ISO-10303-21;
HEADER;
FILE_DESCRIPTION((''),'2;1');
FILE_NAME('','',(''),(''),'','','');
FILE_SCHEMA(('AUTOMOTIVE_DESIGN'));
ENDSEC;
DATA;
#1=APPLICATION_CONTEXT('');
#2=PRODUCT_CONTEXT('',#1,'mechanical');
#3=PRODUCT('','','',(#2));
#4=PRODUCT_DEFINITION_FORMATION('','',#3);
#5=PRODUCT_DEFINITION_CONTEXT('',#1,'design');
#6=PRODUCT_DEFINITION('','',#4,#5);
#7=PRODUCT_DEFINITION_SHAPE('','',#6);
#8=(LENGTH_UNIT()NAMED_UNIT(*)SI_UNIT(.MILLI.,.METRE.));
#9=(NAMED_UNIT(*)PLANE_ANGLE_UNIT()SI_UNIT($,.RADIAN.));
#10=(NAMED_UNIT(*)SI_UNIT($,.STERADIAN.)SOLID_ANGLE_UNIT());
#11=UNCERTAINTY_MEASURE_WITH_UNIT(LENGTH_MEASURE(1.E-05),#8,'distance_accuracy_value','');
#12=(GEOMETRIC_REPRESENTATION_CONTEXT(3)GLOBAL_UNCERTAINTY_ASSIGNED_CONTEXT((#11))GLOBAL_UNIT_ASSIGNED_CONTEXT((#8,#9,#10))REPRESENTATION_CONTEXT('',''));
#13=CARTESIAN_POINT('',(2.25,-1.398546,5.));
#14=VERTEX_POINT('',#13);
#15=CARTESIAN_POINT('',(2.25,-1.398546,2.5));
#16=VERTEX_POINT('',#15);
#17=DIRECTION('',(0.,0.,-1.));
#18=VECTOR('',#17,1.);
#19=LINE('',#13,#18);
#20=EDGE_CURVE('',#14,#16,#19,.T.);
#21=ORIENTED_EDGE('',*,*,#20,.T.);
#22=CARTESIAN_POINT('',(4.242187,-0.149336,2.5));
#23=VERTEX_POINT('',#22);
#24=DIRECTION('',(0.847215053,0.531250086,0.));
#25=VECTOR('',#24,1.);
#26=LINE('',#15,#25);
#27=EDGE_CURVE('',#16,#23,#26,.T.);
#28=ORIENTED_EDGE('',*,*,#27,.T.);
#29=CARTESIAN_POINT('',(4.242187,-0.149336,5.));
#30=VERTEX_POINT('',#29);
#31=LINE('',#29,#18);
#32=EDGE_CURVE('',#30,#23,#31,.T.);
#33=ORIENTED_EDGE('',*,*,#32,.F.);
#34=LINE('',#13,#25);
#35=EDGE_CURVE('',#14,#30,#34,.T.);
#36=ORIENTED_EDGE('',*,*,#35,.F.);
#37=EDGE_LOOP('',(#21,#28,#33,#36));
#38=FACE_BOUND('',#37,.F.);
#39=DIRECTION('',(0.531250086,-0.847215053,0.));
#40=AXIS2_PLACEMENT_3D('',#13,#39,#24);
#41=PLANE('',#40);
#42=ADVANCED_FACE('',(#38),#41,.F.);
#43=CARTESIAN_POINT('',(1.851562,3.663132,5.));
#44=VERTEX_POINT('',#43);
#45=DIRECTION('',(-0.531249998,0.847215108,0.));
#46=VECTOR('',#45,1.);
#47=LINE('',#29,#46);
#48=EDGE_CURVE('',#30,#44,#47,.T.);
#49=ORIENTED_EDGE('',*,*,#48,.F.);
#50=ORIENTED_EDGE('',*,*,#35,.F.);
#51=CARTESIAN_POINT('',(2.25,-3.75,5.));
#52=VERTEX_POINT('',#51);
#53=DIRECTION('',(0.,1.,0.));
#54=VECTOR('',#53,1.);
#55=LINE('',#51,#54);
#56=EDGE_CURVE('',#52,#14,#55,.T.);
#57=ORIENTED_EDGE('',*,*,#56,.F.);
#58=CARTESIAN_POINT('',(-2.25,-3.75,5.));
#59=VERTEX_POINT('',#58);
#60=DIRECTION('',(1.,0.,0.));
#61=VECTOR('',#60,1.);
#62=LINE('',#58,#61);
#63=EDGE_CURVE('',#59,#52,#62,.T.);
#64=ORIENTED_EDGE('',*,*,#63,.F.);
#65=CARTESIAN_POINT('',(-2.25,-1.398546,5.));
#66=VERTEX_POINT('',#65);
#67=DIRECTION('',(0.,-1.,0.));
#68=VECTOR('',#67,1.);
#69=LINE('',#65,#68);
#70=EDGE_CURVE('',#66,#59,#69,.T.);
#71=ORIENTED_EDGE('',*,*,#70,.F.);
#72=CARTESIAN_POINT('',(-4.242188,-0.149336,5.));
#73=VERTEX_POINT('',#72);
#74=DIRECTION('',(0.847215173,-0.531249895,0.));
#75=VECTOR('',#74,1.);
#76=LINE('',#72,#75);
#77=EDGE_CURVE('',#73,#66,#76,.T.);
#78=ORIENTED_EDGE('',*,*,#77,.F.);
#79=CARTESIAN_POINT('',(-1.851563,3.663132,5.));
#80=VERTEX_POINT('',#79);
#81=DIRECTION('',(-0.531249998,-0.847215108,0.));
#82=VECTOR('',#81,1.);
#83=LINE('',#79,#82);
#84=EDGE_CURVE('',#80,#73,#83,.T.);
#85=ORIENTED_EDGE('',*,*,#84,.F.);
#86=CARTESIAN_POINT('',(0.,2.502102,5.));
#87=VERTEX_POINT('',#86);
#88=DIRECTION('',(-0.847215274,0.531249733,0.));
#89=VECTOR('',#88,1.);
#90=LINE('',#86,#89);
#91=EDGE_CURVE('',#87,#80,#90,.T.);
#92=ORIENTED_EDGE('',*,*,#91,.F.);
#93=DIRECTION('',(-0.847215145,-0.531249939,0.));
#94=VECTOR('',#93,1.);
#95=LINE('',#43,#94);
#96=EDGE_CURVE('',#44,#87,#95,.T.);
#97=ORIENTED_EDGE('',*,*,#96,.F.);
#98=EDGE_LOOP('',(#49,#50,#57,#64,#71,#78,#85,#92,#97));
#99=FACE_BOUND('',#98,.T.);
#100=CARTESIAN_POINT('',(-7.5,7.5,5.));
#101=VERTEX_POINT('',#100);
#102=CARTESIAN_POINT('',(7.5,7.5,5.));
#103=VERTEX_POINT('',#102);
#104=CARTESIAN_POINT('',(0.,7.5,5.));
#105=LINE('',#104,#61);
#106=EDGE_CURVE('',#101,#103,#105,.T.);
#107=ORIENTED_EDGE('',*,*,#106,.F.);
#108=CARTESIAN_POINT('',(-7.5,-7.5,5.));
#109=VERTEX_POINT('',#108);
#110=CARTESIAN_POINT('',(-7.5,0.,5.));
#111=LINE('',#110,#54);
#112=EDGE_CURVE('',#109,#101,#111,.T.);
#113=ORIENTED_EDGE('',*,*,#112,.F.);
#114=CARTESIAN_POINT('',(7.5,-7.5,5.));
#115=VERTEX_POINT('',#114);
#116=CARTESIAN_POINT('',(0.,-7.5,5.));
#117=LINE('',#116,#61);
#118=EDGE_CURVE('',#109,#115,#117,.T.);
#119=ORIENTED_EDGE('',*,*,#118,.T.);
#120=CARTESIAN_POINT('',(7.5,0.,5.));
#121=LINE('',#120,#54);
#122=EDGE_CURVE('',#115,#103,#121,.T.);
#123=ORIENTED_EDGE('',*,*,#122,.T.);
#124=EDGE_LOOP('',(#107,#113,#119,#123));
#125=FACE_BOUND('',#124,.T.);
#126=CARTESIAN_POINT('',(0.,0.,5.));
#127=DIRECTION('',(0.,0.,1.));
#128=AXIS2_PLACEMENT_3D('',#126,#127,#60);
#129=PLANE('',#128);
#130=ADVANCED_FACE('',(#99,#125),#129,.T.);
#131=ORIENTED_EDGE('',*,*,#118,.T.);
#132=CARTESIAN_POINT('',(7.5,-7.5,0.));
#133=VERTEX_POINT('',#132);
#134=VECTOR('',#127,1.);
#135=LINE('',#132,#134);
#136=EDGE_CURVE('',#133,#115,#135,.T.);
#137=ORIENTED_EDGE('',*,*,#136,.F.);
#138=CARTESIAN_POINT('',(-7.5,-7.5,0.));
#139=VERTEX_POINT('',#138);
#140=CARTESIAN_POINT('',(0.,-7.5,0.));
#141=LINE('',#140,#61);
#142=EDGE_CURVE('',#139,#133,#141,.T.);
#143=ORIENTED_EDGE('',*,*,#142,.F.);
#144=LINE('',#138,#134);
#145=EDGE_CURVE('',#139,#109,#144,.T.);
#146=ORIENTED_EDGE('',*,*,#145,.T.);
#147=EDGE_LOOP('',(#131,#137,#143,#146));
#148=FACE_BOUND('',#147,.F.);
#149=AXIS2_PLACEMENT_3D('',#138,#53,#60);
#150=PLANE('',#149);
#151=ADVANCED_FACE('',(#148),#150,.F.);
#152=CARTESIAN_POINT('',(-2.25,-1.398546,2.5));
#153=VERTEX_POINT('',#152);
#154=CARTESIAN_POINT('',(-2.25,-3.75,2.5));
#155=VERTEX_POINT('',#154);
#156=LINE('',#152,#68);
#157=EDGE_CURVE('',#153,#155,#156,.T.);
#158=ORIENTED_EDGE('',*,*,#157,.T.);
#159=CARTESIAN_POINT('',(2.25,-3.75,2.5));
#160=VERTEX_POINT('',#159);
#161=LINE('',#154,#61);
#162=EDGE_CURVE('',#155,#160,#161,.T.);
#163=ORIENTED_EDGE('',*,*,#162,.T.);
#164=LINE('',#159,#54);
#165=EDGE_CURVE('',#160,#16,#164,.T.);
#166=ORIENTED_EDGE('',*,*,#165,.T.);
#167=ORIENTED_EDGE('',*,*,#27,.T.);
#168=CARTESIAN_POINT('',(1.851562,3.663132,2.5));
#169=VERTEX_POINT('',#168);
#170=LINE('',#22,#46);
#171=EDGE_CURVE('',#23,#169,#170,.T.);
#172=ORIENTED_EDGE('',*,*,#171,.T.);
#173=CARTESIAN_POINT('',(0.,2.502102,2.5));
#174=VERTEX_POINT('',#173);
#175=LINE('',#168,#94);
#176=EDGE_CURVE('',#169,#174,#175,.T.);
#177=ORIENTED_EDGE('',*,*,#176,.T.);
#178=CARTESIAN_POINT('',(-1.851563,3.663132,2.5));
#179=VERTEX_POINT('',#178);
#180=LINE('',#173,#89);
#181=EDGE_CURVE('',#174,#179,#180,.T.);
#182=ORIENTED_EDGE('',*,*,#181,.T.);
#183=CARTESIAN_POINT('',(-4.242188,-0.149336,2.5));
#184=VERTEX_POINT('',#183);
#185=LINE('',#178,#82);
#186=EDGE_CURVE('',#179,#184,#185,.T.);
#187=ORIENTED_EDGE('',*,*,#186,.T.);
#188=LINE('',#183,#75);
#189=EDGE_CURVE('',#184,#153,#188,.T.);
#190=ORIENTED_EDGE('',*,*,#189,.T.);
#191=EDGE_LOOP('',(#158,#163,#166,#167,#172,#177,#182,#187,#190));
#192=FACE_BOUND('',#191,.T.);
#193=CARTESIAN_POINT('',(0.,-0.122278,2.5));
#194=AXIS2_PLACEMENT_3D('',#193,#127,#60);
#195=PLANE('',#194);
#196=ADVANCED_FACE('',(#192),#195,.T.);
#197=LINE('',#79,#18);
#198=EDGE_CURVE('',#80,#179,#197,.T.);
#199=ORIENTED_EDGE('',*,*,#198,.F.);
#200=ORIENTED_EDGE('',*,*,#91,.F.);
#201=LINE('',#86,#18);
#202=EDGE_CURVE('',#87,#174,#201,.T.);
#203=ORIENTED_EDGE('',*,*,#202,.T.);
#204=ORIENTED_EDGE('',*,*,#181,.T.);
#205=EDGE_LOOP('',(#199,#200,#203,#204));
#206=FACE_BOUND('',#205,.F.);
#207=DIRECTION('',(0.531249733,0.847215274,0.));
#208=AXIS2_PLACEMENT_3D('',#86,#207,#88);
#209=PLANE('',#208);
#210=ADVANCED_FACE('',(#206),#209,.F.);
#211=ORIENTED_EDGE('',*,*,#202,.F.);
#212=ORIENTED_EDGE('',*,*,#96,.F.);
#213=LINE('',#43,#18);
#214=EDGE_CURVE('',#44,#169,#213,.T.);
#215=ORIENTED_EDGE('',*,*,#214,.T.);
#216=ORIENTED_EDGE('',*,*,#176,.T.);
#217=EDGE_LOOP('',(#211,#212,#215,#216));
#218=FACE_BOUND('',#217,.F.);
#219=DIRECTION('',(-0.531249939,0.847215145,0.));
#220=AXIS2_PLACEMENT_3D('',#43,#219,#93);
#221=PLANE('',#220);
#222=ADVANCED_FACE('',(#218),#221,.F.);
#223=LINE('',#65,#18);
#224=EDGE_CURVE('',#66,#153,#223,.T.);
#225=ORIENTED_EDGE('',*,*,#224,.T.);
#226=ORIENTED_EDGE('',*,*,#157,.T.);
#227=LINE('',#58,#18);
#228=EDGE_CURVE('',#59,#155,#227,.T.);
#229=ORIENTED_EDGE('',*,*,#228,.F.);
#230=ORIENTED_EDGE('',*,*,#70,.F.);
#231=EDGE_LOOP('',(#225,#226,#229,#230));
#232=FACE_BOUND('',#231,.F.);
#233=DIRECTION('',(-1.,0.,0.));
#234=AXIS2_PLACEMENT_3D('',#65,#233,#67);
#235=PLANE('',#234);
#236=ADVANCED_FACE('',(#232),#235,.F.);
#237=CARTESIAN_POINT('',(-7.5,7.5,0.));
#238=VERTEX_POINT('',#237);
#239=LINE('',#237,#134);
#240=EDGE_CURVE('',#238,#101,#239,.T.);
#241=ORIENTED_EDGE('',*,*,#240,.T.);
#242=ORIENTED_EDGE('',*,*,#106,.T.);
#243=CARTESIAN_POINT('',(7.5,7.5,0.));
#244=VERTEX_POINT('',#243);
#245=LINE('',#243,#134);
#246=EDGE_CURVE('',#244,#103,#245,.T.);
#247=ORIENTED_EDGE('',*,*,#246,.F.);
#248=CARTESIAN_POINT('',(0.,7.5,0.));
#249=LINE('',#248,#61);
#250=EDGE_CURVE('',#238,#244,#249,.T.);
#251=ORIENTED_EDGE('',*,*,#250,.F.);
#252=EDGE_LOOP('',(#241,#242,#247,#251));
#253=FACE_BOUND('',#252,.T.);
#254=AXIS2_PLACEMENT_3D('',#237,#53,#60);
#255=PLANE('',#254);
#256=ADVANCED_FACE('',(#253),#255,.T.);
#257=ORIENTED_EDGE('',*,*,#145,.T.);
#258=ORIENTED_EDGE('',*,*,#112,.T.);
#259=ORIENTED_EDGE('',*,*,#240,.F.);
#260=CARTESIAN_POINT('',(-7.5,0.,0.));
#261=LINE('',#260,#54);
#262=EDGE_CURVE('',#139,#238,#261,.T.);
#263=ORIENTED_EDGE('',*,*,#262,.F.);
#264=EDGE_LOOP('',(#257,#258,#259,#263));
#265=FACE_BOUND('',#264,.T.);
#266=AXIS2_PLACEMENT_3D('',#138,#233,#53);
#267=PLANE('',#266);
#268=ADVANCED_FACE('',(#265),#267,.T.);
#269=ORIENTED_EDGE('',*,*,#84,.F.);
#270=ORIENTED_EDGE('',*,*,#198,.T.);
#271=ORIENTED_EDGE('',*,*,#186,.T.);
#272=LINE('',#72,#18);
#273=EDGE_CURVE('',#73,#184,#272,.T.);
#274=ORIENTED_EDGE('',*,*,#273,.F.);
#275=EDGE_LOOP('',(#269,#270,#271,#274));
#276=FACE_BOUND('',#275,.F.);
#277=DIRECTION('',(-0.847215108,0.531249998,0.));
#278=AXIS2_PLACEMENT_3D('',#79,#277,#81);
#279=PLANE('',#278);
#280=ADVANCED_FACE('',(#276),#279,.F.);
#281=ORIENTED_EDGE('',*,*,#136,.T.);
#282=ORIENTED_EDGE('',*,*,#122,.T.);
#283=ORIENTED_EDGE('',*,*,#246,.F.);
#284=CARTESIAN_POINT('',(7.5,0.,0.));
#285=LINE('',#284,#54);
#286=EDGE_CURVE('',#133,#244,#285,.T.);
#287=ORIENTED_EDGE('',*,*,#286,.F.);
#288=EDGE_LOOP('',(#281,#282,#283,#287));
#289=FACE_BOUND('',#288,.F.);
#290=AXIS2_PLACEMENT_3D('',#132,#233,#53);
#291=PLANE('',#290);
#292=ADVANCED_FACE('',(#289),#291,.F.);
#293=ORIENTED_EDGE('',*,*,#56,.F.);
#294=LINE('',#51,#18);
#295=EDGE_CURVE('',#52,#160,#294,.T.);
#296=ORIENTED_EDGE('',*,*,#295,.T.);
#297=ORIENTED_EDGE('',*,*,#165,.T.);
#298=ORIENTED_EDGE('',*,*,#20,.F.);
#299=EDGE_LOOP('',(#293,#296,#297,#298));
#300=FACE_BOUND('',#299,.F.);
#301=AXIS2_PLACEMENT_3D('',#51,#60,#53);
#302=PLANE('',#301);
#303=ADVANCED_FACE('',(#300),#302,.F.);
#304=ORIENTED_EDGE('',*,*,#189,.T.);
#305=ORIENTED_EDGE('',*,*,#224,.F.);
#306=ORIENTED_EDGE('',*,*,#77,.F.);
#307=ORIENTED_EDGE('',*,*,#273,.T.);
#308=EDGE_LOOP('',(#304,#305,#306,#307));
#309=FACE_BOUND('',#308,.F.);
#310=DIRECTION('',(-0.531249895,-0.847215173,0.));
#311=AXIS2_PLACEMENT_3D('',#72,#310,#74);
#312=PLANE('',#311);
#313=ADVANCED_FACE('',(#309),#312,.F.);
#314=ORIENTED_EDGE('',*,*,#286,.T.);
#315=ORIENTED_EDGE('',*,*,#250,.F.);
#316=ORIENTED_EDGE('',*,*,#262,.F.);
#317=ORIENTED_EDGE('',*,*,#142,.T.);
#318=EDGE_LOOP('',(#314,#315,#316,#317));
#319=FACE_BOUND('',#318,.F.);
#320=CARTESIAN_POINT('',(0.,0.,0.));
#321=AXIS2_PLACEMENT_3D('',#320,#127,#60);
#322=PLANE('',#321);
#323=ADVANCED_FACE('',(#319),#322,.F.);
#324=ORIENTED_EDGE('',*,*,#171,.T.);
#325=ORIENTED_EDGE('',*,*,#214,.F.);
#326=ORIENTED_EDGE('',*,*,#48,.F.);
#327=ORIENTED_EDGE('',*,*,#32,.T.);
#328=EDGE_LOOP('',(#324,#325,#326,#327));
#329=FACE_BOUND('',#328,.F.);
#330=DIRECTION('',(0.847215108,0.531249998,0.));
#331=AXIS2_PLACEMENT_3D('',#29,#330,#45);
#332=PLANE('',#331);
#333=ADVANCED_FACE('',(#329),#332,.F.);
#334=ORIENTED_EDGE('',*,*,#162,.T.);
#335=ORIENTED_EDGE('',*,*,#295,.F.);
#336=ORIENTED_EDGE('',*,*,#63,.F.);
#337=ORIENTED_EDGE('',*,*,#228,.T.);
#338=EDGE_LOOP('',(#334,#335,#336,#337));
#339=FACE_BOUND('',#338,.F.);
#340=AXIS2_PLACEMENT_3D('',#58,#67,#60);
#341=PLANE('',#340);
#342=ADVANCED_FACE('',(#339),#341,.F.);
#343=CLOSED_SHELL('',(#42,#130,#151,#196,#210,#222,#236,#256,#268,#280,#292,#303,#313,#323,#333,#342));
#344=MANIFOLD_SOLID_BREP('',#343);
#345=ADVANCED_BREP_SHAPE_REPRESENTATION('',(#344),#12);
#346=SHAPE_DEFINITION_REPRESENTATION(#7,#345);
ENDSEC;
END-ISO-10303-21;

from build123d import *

# Parameters (mm, degrees)
F0_W     = 15
F0_H     = 15
F1_DEPTH = 5
F3_DEPTH = 2.5


with BuildPart() as f1:
    # F0 (on Top) → F1 (new body)
    with BuildSketch(Plane.XY):
        Rectangle(F0_W, F0_H)
    extrude(amount=F1_DEPTH)

    # F2 (on face) → F3 (cut)
    with BuildSketch(Plane.XY.offset(5)):
        Polygon((0, 2.502102), (-1.851563, 3.663132), (-4.242188, -0.149336), (-2.25, -1.398546), (-2.25, -3.75), (2.25, -3.75), (2.25, -1.398546), (4.242187, -0.149336), (1.851562, 3.663132), align=None)
    extrude(amount=-F3_DEPTH, mode=Mode.SUBTRACT)


solid = f1.part
